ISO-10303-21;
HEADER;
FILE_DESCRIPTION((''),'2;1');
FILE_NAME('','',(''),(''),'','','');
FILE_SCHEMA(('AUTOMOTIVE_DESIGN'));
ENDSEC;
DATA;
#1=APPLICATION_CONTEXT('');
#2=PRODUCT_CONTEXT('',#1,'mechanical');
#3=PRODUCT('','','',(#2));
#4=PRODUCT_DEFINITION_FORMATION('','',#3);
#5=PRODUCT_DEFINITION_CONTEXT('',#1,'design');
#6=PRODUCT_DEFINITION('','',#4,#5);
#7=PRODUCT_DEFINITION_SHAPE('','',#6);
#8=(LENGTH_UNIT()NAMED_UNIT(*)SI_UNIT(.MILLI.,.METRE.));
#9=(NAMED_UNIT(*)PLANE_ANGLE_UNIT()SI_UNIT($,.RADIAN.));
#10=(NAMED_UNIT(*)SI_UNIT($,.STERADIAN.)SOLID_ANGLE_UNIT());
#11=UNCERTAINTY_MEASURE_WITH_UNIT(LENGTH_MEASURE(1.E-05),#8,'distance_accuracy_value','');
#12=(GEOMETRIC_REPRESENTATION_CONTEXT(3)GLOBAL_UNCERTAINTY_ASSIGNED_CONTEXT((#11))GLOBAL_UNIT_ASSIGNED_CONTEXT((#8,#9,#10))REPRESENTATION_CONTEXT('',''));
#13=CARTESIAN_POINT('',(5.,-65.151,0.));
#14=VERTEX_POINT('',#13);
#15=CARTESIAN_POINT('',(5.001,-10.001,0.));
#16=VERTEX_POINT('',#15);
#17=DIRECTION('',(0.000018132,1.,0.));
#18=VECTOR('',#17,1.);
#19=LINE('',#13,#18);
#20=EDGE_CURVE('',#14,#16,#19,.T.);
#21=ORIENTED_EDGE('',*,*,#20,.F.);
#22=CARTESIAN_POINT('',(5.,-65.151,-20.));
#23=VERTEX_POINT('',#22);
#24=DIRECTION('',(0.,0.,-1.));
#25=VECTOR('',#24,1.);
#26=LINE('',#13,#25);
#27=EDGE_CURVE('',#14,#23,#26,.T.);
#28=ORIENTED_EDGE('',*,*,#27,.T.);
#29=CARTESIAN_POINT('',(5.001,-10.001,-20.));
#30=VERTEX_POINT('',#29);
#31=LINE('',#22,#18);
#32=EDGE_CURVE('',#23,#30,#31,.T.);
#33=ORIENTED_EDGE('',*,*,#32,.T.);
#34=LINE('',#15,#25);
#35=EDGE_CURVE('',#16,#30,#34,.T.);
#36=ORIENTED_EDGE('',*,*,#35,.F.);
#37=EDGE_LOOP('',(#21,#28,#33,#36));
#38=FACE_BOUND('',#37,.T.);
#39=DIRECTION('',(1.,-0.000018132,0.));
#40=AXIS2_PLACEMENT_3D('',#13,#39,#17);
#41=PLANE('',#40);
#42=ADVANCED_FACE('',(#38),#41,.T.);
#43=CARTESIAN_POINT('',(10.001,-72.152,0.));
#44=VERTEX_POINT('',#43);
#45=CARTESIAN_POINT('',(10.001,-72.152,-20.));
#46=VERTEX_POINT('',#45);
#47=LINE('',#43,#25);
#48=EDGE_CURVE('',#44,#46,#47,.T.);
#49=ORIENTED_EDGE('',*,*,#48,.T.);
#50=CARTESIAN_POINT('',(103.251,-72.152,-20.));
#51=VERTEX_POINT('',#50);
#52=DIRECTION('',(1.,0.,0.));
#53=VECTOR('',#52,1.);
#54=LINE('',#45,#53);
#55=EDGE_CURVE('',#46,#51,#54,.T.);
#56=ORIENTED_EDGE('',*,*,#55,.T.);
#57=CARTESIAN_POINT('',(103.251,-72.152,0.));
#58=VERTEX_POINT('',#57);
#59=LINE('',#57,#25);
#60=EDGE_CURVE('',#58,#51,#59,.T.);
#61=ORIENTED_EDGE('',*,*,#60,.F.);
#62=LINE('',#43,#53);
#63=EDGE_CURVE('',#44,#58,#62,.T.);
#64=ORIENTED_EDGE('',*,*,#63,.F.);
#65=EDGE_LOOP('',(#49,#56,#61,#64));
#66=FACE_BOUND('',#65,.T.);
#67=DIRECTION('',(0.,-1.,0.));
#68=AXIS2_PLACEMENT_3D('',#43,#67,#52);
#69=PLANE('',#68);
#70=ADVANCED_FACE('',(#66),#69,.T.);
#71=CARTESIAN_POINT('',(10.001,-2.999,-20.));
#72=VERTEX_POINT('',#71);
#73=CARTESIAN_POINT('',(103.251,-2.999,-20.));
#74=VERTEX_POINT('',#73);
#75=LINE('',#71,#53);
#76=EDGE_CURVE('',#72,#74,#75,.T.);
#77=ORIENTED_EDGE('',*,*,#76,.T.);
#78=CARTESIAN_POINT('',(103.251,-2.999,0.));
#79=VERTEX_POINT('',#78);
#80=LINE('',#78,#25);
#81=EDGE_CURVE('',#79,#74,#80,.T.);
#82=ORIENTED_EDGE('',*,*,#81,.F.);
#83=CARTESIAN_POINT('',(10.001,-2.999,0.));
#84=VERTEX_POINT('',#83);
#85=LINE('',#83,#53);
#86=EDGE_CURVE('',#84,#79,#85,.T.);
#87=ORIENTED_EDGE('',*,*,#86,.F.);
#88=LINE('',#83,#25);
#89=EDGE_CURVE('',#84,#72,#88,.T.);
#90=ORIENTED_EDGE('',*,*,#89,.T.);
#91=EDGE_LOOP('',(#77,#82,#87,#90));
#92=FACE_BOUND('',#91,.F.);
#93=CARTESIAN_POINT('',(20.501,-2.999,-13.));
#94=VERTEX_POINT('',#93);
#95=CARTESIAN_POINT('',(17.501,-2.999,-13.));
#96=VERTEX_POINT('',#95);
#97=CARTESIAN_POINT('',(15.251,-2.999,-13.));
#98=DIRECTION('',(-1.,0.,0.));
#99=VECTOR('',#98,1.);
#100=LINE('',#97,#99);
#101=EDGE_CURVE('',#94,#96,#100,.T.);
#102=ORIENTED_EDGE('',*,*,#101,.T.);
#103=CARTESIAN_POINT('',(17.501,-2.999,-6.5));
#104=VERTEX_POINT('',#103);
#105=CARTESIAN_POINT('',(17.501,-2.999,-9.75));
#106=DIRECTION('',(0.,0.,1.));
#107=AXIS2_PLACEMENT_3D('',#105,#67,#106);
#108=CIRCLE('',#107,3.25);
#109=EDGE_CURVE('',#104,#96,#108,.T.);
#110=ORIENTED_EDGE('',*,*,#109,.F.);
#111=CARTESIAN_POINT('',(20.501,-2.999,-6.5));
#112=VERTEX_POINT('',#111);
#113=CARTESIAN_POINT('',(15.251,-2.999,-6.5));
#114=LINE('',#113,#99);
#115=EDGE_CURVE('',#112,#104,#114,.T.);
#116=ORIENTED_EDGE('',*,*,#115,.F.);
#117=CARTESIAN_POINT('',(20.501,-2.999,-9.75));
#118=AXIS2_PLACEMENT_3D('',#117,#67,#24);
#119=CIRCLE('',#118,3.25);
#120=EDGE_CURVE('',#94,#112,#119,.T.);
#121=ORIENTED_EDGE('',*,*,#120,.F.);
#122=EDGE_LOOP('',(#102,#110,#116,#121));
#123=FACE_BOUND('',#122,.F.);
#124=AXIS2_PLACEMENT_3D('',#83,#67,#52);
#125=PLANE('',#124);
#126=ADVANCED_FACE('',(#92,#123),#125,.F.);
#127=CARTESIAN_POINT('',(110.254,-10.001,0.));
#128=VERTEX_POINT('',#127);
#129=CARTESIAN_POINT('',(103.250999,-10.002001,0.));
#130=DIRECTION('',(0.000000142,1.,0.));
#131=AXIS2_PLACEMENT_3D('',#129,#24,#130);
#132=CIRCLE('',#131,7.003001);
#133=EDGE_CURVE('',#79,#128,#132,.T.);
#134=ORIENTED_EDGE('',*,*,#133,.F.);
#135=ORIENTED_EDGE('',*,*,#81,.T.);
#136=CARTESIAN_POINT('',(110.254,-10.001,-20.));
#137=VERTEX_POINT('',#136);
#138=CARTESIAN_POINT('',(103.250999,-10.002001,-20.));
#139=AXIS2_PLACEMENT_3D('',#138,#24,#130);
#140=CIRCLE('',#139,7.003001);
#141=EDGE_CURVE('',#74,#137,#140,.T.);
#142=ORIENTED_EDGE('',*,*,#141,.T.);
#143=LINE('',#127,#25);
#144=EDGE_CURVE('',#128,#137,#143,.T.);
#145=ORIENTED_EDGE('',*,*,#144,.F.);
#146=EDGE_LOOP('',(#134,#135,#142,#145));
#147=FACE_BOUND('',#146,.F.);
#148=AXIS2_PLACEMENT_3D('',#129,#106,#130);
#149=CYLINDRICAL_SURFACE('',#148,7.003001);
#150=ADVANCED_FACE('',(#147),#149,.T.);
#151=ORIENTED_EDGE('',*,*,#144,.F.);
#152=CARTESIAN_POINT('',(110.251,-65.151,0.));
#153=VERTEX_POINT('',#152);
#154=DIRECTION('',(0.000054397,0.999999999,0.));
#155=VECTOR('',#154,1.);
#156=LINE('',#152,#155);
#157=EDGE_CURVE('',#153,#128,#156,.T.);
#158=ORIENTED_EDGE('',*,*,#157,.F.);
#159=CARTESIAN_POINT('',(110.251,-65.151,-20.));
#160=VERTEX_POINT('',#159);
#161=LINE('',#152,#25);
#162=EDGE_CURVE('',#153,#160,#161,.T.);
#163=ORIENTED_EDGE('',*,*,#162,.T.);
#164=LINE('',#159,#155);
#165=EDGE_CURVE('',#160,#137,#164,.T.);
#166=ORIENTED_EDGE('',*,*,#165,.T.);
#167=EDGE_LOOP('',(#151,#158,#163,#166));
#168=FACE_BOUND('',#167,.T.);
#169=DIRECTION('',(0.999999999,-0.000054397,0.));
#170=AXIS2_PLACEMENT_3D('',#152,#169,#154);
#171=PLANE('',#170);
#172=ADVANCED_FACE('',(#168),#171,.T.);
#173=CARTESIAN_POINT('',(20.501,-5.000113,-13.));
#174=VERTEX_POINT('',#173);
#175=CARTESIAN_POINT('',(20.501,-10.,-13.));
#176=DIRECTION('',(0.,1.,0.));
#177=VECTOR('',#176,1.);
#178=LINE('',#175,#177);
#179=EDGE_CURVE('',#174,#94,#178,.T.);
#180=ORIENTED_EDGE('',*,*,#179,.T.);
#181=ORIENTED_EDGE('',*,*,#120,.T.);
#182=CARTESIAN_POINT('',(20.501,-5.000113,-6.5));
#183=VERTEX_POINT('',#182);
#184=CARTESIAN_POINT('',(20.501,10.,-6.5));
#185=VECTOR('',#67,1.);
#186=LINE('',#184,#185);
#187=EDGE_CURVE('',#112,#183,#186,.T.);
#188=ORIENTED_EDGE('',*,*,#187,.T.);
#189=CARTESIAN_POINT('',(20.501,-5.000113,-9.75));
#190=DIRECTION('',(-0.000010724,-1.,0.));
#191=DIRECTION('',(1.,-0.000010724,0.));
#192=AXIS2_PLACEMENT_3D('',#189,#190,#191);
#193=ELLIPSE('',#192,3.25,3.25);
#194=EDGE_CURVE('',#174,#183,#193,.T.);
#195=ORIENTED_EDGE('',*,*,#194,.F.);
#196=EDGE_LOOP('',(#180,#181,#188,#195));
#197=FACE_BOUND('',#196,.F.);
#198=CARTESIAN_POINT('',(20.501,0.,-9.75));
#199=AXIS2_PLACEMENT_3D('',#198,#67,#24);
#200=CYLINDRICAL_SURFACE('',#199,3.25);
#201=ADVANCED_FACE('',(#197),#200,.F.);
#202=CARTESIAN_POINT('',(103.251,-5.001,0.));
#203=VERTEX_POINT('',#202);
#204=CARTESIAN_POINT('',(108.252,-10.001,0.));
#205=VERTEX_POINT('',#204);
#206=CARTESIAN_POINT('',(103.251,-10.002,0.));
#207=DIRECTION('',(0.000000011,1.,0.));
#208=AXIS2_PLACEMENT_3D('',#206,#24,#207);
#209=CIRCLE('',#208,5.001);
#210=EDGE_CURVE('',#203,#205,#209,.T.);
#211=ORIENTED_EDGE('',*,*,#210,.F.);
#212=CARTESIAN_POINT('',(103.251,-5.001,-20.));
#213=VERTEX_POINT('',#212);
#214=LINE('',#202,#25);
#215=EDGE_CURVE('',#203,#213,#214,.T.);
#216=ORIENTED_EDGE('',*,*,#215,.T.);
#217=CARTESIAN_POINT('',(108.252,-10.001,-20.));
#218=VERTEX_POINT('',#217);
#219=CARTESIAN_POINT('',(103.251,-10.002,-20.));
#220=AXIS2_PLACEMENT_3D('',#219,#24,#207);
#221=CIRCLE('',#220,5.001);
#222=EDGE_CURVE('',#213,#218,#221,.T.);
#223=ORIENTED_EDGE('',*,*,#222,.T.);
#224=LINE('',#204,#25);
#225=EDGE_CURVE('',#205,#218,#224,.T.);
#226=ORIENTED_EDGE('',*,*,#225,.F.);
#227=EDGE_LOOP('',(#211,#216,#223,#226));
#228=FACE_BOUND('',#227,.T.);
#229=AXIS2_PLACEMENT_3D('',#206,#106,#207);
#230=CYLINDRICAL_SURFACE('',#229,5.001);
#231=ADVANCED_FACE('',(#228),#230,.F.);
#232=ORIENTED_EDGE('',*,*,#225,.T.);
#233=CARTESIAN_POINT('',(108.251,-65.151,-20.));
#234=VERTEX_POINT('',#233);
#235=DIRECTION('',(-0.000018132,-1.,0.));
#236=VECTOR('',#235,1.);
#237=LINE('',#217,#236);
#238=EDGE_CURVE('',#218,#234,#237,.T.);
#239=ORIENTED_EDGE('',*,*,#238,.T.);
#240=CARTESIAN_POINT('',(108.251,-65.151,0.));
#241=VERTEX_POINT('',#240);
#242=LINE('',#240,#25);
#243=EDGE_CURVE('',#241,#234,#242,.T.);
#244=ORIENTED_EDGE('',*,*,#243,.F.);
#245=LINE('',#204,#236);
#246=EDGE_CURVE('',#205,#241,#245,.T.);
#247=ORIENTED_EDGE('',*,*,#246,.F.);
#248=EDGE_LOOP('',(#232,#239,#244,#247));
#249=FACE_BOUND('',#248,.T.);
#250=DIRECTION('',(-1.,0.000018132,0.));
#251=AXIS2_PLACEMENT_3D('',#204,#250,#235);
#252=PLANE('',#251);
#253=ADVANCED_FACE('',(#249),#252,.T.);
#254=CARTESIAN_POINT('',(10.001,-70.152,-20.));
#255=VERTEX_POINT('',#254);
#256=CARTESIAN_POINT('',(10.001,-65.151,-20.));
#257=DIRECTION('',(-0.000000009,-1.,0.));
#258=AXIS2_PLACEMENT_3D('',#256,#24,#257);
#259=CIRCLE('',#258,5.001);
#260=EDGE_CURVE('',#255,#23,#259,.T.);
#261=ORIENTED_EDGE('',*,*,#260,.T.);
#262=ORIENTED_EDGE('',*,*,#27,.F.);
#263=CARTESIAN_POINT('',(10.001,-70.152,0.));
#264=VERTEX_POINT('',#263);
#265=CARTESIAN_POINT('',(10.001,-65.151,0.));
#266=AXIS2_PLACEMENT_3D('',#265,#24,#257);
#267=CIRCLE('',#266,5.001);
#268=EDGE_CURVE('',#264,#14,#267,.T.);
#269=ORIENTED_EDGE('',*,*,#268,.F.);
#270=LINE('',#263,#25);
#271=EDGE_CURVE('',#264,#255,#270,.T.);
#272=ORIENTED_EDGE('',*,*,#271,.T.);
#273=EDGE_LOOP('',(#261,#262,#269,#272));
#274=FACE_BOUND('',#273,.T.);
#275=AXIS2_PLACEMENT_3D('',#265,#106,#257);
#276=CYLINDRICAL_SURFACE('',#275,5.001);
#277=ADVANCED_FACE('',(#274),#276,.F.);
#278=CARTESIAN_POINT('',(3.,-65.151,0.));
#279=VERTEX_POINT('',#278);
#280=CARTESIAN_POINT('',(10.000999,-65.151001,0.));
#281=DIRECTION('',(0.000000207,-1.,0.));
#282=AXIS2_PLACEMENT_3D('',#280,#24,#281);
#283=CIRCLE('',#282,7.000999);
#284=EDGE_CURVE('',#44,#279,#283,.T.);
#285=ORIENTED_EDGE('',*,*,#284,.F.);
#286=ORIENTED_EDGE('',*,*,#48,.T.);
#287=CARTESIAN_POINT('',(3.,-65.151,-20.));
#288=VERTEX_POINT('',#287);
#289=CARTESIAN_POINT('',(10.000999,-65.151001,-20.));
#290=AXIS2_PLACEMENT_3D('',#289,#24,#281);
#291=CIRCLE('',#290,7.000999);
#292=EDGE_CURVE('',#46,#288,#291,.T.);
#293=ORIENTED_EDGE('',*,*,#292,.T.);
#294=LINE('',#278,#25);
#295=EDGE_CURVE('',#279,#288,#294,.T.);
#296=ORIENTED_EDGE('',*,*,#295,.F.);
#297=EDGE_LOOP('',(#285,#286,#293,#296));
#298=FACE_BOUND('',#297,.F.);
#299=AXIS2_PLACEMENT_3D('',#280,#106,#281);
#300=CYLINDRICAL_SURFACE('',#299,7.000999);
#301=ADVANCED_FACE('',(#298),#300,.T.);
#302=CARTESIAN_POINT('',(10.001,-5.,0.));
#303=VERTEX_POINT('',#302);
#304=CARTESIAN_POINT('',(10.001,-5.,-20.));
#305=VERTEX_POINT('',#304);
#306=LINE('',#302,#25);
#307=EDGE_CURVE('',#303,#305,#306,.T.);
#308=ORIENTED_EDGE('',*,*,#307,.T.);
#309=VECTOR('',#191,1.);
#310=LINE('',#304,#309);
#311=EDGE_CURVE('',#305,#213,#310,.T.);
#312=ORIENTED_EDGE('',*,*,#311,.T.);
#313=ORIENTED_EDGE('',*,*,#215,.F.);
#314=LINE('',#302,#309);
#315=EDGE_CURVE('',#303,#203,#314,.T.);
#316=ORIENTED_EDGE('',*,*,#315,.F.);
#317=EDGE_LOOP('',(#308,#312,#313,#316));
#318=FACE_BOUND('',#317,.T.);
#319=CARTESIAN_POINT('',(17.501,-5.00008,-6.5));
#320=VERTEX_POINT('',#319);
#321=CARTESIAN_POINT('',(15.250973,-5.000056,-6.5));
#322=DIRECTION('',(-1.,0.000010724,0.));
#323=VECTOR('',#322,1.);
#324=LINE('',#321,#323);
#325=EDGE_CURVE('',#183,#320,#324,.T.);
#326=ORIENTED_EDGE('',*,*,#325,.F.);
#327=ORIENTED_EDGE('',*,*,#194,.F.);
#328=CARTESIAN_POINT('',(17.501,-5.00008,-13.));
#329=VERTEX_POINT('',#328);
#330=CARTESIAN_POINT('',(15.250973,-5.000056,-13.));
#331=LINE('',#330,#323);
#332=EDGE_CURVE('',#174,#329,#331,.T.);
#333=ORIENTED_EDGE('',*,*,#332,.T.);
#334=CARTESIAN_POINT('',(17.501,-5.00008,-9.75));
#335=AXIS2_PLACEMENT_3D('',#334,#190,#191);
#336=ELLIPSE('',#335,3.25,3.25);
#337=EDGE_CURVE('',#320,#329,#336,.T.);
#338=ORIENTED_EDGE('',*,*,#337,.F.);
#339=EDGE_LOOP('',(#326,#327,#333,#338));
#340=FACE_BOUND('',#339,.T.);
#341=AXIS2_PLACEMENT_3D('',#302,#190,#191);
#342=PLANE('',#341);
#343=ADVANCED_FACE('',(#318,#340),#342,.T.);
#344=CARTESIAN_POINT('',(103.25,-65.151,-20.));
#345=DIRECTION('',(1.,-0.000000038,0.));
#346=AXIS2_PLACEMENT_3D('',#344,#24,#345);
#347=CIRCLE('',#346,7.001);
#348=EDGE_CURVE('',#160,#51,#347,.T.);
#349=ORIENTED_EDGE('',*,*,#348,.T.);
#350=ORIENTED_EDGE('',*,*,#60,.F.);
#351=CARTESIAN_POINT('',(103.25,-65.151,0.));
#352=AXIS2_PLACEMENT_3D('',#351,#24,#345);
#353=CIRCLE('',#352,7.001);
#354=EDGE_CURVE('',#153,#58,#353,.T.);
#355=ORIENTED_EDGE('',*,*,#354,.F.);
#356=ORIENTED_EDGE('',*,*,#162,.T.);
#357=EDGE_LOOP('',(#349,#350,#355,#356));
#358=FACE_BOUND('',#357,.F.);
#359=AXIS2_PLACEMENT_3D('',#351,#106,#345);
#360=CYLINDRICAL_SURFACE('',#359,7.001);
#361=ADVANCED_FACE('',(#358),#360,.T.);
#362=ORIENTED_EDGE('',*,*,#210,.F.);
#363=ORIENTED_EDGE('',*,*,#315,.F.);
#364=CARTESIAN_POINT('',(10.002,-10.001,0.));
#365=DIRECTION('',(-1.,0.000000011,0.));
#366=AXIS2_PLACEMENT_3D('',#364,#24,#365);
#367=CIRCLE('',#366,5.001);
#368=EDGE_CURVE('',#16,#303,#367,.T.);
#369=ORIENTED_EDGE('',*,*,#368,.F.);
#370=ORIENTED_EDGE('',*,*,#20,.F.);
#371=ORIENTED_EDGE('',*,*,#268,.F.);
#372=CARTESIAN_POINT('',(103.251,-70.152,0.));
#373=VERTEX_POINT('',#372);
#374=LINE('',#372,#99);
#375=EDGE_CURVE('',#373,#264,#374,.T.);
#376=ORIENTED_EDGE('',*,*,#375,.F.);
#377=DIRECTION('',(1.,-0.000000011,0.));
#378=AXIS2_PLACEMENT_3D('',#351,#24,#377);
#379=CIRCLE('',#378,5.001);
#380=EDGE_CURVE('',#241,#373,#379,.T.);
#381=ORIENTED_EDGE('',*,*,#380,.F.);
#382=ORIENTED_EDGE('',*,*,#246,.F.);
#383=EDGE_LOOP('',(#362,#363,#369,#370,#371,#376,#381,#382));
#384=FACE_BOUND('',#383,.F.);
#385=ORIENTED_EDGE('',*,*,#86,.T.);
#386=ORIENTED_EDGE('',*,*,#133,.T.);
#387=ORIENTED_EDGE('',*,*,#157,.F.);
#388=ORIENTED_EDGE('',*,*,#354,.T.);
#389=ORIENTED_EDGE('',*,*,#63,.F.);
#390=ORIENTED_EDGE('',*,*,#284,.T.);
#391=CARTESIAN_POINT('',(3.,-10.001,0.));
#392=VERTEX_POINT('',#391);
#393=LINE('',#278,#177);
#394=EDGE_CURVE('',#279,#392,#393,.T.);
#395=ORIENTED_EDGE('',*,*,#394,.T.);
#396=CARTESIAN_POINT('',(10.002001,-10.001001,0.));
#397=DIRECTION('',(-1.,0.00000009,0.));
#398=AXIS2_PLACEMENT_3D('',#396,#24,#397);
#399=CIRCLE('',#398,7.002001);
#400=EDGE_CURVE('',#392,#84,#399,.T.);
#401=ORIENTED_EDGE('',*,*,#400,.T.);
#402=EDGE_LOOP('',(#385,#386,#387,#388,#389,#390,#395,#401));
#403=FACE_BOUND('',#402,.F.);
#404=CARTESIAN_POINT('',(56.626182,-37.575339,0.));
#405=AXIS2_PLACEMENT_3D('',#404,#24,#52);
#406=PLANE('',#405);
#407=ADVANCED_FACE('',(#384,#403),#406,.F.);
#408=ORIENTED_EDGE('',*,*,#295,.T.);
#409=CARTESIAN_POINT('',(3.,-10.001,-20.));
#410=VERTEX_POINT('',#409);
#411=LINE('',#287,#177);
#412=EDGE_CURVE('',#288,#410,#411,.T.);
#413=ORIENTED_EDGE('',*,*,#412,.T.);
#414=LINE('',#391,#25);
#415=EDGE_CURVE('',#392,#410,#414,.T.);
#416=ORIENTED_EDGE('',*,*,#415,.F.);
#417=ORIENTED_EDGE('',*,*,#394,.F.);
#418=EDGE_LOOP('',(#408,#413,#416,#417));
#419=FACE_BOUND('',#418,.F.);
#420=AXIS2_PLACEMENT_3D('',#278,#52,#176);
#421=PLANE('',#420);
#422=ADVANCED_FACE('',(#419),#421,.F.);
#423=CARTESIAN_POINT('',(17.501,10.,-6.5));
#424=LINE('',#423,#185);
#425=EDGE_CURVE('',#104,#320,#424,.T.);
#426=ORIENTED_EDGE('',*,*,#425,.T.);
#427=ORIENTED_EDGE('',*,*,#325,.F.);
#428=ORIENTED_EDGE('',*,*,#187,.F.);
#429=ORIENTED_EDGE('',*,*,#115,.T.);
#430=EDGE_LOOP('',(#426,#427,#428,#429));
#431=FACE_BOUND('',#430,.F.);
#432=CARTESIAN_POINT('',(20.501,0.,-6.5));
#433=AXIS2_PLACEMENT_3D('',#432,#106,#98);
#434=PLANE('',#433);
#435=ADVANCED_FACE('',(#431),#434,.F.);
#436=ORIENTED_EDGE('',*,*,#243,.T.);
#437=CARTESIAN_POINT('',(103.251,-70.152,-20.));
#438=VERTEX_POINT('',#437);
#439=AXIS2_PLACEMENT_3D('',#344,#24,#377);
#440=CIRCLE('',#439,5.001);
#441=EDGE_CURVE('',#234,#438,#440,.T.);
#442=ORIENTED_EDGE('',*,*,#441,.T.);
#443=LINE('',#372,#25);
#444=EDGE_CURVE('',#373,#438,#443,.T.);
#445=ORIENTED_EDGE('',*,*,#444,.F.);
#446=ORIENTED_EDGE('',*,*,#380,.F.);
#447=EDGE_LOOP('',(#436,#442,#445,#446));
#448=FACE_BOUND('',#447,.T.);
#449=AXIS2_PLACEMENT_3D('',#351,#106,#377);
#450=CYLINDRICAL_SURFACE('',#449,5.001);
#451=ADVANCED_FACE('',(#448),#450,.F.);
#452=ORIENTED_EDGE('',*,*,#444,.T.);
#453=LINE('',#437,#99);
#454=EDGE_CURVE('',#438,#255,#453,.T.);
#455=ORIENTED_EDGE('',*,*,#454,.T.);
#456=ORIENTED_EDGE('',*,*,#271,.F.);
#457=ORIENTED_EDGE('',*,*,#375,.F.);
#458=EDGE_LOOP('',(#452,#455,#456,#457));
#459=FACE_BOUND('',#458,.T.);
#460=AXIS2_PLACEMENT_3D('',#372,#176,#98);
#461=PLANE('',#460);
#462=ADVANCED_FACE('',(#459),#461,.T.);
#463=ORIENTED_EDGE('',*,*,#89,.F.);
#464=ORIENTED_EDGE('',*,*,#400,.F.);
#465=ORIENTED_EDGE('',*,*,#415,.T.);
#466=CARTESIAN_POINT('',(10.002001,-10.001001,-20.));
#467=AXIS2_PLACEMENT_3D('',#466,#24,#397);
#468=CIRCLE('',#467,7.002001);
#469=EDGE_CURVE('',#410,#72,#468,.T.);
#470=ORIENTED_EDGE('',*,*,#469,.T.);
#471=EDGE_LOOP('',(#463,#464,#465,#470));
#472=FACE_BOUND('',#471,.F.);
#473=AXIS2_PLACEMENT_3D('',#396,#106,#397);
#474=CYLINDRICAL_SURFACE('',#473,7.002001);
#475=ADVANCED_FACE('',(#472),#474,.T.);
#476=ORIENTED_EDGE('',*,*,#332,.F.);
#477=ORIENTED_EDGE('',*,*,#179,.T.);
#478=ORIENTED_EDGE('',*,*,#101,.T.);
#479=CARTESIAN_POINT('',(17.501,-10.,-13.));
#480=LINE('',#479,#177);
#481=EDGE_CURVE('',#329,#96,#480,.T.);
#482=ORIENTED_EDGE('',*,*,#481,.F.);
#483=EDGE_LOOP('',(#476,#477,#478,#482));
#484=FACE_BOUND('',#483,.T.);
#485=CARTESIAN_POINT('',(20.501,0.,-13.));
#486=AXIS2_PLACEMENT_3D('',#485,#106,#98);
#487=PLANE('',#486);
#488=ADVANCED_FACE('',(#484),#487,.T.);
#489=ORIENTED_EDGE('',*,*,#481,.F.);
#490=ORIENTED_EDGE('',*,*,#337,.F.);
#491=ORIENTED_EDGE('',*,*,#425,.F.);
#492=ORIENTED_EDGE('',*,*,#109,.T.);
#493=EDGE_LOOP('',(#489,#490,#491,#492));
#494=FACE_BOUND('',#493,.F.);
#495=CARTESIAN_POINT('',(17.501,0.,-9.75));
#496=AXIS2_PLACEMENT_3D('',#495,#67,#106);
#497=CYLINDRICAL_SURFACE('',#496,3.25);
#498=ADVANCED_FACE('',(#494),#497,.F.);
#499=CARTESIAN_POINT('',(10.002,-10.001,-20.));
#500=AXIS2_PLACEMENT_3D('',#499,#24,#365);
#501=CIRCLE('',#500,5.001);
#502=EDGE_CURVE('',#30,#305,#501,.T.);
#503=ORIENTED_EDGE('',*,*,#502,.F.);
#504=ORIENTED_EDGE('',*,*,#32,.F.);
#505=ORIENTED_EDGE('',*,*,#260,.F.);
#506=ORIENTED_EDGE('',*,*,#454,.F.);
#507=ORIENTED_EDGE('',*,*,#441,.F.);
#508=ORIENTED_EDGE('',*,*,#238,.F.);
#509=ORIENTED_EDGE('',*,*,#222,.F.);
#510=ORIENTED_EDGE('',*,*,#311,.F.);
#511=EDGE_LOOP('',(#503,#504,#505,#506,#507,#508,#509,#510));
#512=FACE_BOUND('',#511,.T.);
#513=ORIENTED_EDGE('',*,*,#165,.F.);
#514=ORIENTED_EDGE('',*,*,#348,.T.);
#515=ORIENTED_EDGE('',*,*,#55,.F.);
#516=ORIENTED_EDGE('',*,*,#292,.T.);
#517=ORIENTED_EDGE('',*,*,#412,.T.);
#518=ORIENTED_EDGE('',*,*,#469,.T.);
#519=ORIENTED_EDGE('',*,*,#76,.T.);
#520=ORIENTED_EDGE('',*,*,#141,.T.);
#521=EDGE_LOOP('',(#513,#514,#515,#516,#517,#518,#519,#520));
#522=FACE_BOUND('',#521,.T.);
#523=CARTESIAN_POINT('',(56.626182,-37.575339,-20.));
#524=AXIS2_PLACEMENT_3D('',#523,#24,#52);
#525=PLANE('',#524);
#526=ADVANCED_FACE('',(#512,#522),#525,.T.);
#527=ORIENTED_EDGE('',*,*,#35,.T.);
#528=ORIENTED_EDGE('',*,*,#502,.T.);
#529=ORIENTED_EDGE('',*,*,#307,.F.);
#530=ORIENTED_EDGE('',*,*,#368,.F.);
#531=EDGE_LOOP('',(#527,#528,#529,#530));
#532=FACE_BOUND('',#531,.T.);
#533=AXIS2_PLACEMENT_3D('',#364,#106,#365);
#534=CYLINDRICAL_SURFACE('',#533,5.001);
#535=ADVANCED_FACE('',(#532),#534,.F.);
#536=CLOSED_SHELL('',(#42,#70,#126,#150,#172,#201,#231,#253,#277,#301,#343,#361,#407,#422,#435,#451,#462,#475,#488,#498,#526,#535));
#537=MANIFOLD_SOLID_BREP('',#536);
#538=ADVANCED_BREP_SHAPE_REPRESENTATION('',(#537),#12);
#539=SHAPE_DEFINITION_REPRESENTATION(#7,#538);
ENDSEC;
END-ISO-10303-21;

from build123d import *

# Parameters (mm, degrees)
EXTRUDE008_DEPTH = 10
EXTRUDE002_DEPTH = 20


with BuildPart() as extrude008:
    # Sketch006 (on Extrude) → Extrude008 (new body, symmetric)
    with BuildSketch(Plane.XZ):
        with BuildLine():
            ThreePointArc((20.501, -13), (23.751, -9.75), (20.501, -6.5))
            Line((20.501, -6.5), (17.501, -6.5))
            ThreePointArc((17.501, -6.5), (14.251, -9.75), (17.501, -13))
            Line((20.501, -13), (17.501, -13))
        make_face()
    extrude(amount=EXTRUDE008_DEPTH, both=True)


with BuildPart() as shell:
    # Sketch001 (on Sketch) → Extrude002 (new body)
    with BuildSketch(Plane(origin=(0, 0, 0), x_dir=(1, 0, 0), z_dir=(0, 0, -1))):
        with BuildLine():
            Line((3, 65.151), (3, 10.001))
            ThreePointArc((3, 10.001), (5.050485, 5.050192), (10.001, 2.999))
            Line((10.001, 2.999), (103.251, 2.999))
            ThreePointArc((103.251, 2.999), (108.202515, 5.049778), (110.254, 10.001))
            Line((110.251, 65.151), (110.254, 10.001))
            ThreePointArc((110.251, 65.151), (108.200808, 70.101101), (103.251, 72.152))
            Line((10.001, 72.152), (103.251, 72.152))
            ThreePointArc((10.001, 72.152), (5.050545, 70.101455), (3, 65.151))
        make_face()
        with BuildLine():
            Line((5, 65.151), (5.001, 10.001))
            ThreePointArc((5.001, 10.001), (6.465405, 6.465113), (10.001, 5))
            Line((10.001, 5), (103.251, 5.001))
            ThreePointArc((103.251, 5.001), (106.786887, 6.465405), (108.252, 10.001))
            Line((108.252, 10.001), (108.251, 65.151))
            ThreePointArc((108.251, 65.151), (106.786595, 68.686887), (103.251, 70.152))
            Line((103.251, 70.152), (10.001, 70.152))
            ThreePointArc((10.001, 70.152), (6.464759, 68.687241), (5, 65.151))
        make_face(mode=Mode.SUBTRACT)
    extrude(amount=EXTRUDE002_DEPTH)

    # Cut001: cut Extrude008
    add(extrude008.part, mode=Mode.SUBTRACT)


solid = shell.part
